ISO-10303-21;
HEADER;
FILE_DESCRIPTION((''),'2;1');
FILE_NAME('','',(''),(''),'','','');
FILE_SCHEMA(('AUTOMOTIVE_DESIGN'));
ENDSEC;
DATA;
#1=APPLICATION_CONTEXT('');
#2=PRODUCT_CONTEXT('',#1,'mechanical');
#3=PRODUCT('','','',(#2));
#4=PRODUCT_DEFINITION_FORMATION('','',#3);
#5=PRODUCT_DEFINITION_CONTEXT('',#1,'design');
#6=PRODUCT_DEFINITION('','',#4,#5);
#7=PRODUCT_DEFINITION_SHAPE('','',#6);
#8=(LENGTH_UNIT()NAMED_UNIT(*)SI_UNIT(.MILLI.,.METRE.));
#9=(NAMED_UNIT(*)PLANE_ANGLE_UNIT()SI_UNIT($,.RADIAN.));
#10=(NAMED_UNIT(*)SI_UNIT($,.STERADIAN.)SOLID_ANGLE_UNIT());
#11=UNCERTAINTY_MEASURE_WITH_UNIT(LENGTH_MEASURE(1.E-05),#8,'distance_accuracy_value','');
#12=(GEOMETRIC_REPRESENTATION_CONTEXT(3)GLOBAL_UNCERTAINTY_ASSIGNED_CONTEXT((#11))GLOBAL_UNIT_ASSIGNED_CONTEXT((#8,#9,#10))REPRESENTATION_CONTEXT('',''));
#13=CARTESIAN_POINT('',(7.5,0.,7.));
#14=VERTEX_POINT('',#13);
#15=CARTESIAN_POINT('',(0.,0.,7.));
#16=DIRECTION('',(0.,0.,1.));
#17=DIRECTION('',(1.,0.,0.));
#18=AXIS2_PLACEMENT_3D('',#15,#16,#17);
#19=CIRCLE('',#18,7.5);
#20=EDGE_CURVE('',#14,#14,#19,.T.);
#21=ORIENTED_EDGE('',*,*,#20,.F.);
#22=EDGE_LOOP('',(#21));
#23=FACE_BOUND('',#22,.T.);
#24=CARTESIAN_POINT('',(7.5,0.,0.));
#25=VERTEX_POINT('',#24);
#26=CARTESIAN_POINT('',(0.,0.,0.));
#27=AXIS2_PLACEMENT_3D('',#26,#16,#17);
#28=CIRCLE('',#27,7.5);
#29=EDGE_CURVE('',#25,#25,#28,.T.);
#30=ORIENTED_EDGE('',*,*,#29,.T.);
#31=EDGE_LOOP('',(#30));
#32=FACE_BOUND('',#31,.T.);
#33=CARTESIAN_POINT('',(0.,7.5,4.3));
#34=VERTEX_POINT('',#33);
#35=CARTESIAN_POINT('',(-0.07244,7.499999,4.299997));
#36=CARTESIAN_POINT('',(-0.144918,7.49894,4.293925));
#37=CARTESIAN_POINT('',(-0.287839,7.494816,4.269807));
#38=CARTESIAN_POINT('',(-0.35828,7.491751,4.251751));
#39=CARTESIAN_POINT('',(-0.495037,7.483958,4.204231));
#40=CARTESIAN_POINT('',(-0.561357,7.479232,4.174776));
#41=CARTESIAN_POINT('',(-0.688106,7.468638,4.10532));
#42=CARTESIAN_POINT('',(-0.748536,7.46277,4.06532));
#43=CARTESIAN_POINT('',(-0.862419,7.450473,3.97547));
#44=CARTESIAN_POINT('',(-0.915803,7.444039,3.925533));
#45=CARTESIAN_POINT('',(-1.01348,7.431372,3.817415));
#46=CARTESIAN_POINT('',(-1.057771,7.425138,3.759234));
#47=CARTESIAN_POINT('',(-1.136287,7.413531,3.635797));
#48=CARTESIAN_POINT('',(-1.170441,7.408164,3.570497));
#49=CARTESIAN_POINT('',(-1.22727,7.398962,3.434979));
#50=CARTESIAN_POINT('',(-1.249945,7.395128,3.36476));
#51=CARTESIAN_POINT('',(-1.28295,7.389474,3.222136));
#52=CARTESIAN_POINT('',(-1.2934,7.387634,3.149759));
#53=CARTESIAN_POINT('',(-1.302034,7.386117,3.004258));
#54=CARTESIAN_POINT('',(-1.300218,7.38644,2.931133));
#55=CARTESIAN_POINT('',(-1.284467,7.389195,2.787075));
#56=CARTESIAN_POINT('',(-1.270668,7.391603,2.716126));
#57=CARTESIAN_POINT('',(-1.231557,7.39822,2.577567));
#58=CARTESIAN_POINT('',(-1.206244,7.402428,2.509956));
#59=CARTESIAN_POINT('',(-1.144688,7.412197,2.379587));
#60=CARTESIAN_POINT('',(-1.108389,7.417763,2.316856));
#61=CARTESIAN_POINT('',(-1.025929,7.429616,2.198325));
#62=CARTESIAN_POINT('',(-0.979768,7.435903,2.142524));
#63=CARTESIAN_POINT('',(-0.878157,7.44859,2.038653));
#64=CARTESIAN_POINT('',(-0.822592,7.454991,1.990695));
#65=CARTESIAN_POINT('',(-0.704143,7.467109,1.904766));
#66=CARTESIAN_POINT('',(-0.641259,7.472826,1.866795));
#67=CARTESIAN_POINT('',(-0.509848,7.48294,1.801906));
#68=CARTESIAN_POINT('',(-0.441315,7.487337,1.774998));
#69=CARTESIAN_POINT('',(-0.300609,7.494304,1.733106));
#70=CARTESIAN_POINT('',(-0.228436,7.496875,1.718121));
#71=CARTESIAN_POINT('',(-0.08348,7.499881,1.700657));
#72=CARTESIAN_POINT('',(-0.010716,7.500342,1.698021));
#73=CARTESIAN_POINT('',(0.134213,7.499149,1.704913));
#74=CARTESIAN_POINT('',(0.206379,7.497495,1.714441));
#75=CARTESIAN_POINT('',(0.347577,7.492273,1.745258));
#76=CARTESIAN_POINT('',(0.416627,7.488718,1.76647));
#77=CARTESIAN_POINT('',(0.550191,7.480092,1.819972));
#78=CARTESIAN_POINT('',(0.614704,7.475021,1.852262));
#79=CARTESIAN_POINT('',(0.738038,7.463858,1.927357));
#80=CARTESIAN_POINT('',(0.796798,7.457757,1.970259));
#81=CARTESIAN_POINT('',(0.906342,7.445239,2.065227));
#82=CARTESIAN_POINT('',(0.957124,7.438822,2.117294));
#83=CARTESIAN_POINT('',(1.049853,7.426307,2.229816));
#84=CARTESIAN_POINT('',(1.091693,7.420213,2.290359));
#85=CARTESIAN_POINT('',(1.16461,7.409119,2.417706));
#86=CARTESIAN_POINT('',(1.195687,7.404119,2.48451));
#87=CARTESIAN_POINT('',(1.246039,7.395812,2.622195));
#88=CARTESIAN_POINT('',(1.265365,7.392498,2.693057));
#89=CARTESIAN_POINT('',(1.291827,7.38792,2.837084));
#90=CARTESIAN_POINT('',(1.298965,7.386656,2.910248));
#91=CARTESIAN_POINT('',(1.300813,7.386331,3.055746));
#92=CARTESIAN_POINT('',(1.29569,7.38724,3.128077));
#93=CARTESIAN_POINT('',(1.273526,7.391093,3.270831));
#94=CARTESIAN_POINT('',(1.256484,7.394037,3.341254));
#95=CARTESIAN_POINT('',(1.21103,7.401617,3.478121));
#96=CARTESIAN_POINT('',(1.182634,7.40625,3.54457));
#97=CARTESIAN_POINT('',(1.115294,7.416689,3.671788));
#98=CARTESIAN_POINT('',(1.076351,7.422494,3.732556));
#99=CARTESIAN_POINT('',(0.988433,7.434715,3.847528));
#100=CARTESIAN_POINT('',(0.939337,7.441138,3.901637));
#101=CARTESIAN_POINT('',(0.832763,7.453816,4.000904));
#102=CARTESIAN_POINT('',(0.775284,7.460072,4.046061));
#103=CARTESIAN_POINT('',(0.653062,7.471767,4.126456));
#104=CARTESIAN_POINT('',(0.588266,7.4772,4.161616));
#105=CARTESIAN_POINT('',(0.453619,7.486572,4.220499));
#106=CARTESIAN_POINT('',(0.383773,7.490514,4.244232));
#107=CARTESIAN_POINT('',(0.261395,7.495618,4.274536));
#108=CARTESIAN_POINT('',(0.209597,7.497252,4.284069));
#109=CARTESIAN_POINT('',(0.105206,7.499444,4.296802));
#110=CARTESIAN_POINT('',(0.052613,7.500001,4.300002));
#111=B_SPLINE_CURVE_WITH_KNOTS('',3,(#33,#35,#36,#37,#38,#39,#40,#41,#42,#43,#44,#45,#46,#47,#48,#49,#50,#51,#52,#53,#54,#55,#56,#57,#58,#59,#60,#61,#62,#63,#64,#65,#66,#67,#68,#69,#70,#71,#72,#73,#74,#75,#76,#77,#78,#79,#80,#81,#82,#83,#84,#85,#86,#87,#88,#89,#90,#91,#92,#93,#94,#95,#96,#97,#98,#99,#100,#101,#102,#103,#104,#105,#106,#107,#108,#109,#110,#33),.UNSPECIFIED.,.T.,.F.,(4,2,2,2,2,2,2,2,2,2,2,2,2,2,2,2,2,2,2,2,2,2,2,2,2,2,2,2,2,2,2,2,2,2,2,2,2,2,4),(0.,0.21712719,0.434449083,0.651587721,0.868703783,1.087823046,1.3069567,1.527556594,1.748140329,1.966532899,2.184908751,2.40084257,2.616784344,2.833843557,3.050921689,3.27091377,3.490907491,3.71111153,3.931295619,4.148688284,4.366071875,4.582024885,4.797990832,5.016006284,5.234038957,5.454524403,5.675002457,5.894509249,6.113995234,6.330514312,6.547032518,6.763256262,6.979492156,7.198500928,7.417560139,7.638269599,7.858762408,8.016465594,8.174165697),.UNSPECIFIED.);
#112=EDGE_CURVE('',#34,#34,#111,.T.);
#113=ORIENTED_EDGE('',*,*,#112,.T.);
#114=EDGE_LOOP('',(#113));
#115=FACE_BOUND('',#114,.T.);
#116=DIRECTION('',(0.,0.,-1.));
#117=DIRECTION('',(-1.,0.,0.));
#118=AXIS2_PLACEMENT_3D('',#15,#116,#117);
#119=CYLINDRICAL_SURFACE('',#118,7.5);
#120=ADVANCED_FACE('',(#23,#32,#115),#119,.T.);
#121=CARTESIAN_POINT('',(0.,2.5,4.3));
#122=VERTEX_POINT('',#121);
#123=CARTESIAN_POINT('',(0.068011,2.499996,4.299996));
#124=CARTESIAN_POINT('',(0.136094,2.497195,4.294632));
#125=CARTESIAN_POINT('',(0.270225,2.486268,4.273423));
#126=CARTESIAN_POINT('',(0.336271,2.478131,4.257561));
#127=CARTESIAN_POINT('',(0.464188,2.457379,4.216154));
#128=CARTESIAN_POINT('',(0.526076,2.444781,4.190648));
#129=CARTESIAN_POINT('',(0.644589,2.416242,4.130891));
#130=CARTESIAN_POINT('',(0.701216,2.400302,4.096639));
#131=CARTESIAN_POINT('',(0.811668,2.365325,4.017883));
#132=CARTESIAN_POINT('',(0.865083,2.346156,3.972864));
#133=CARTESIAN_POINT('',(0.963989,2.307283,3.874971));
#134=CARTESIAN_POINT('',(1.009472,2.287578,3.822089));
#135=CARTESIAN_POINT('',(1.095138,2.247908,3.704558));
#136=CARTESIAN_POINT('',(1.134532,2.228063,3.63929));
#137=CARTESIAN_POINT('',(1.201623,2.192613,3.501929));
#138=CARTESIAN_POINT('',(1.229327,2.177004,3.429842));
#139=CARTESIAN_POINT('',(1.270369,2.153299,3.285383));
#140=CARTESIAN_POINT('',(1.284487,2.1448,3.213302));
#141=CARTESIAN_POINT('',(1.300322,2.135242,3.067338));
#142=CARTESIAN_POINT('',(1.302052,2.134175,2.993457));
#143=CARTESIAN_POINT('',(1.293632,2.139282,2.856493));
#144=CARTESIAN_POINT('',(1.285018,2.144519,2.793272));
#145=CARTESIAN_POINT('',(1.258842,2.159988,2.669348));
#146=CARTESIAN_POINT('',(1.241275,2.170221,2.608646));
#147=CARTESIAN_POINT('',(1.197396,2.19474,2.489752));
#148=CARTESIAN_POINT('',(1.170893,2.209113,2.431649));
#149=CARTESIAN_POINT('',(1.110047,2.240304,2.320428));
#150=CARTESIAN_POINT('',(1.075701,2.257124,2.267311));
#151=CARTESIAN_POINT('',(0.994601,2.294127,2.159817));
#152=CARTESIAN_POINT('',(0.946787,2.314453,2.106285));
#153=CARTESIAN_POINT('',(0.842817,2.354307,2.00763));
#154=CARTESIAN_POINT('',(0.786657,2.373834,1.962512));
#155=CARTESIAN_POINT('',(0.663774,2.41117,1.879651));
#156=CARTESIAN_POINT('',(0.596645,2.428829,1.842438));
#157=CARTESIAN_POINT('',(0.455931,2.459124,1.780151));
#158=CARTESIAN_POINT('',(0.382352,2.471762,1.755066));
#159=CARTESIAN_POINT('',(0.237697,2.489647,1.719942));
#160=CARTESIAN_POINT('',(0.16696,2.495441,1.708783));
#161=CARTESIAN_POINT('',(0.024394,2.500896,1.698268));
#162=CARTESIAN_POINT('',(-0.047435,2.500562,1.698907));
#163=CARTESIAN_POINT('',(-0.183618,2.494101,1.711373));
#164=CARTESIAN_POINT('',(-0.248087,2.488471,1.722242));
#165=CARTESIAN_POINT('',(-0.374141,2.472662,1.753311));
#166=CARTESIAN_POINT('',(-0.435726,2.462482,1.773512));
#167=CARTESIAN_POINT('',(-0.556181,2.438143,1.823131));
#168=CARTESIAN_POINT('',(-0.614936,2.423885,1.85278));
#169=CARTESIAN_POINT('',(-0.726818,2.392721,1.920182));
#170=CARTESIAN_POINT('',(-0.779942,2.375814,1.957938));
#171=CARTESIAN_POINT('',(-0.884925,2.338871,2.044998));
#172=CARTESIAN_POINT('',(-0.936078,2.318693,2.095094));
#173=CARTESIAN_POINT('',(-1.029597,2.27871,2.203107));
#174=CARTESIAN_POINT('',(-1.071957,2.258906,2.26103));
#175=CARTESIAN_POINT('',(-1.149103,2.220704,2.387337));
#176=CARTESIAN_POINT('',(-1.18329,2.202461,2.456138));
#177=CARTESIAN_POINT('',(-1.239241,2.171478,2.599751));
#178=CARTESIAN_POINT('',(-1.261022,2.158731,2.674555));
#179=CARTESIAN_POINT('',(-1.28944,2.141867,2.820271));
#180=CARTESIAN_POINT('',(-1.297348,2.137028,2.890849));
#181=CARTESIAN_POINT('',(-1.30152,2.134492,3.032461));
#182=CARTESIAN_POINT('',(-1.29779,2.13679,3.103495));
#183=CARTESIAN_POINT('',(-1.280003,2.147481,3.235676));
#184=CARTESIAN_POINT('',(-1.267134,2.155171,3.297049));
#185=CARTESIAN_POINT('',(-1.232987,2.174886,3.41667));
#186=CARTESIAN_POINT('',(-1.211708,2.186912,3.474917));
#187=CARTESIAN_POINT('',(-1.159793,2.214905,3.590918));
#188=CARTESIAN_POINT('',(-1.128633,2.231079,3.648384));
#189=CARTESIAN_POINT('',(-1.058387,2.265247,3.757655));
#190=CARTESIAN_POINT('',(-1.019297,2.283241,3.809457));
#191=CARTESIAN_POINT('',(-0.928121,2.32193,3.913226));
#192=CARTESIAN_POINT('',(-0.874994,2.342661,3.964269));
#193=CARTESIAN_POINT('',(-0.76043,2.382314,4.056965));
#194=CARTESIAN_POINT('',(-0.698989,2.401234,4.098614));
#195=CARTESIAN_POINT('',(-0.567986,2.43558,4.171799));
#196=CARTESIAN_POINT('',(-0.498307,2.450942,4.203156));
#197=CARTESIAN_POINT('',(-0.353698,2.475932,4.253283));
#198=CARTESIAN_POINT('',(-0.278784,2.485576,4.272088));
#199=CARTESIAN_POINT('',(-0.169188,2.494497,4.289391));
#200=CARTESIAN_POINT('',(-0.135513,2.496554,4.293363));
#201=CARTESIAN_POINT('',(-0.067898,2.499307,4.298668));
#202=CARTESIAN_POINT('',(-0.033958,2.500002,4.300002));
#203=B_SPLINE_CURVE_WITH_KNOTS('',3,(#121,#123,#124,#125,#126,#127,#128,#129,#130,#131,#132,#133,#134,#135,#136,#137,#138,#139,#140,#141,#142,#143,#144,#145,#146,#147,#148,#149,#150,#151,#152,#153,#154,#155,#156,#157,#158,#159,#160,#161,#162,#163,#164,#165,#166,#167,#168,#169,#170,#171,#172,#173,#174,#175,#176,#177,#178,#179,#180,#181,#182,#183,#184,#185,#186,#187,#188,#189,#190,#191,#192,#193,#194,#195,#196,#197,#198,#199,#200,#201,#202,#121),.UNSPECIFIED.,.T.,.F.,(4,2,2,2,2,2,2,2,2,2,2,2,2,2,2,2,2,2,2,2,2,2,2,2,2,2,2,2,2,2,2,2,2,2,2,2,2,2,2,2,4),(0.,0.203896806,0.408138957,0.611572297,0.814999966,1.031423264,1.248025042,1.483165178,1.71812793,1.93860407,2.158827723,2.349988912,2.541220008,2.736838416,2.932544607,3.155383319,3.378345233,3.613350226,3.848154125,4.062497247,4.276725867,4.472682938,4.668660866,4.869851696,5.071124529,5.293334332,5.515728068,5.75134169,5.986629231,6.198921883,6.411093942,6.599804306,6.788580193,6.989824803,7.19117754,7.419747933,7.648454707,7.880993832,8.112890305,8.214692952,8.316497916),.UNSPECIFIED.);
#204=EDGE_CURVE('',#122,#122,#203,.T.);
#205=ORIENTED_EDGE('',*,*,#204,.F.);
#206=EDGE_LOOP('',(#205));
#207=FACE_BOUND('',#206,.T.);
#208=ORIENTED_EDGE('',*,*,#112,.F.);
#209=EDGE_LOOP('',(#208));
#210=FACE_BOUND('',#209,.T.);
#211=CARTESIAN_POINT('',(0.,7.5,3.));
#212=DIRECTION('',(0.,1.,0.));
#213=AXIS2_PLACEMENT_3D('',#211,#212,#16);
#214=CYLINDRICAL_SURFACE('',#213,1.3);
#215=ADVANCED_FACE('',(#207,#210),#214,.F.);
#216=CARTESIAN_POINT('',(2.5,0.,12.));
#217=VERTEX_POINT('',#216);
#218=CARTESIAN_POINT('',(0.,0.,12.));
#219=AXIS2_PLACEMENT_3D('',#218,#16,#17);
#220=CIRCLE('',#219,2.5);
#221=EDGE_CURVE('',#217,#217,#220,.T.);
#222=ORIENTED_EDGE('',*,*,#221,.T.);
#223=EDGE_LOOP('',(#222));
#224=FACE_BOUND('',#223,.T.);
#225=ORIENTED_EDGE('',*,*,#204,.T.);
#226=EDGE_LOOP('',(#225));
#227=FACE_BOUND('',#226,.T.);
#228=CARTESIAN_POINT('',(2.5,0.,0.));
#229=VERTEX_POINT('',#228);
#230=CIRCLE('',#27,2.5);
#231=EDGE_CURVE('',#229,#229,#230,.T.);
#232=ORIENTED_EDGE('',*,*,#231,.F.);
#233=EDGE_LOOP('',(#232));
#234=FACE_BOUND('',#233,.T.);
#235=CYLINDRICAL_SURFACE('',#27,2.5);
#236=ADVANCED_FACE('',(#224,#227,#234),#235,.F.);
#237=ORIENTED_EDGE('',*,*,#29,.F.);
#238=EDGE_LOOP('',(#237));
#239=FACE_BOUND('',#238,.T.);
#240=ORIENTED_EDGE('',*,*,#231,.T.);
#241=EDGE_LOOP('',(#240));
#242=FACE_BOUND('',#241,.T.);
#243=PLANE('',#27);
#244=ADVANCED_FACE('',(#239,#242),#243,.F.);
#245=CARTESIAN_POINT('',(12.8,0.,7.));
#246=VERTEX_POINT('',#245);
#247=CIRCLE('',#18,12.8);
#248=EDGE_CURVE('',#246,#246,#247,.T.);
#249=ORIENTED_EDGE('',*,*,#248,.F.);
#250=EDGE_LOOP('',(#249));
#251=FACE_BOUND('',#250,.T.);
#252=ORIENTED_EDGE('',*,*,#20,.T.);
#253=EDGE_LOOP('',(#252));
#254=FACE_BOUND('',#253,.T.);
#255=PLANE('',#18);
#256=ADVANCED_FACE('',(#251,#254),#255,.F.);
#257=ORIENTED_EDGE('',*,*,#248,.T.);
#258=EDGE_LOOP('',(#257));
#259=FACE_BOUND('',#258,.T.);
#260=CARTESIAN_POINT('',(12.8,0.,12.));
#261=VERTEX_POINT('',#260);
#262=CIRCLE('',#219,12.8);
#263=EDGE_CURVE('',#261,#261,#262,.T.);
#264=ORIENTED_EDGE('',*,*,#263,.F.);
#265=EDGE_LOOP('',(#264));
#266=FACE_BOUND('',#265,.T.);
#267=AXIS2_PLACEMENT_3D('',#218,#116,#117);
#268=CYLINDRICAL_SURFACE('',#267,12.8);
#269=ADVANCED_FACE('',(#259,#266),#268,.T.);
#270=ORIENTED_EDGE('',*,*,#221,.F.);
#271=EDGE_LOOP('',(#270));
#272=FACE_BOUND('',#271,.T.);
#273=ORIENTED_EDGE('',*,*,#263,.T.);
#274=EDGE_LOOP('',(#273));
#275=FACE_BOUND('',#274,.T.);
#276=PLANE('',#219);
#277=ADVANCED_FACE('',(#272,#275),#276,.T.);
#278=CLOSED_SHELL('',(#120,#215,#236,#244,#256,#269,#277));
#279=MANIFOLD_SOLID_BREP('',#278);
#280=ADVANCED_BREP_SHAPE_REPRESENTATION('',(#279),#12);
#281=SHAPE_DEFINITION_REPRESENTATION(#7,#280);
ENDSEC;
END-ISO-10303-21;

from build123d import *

# Parameters (mm, degrees)
SKETCH1_R                        = 7.5
BOSS_EXTRUDE1_DEPTH              = 7
SKETCH2_R                        = 12.8
BOSS_EXTRUDE2_DEPTH              = 5
SKETCH3_R                        = 2.5
CUT_EXTRUDE1_DEPTH               = 22.718195137
TAP_DRILL_FOR_M3X0_5_TAP1_REACH  = 27.631
TAP_DRILL_FOR_M3X0_5_TAP1_BORE_R = 1.3


with BuildPart() as part:
    # Sketch1 → Boss-Extrude1 (new body)
    with BuildSketch(Plane.XY):
        Circle(SKETCH1_R)
    extrude(amount=BOSS_EXTRUDE1_DEPTH)

    # Sketch2 → Boss-Extrude2 (add)
    with BuildSketch(Plane.XY.offset(7)):
        Circle(SKETCH2_R)
    extrude(amount=BOSS_EXTRUDE2_DEPTH)

    # Sketch3 → Cut-Extrude1 (cut, through all)
    with BuildSketch(Plane.XY.offset(12)):
        Circle(SKETCH3_R)
    extrude(amount=-CUT_EXTRUDE1_DEPTH, mode=Mode.SUBTRACT)

    # Tap Drill for M3x0.5 Tap1 bore (on position points) → Tap Drill for M3x0.5 Tap1 (cut, up to next)
    with BuildSketch(Plane(origin=(0, 7.5, 3), x_dir=(1, 0, 0), z_dir=(0, 1, 0)), mode=Mode.PRIVATE) as tap_drill_for_m3x0_5_tap1_sk1:
        Circle(TAP_DRILL_FOR_M3X0_5_TAP1_BORE_R)
    tap_drill_for_m3x0_5_tap1_tool1 = extrude(tap_drill_for_m3x0_5_tap1_sk1.sketch, amount=-TAP_DRILL_FOR_M3X0_5_TAP1_REACH, mode=Mode.PRIVATE) & part.part
    add(tap_drill_for_m3x0_5_tap1_tool1.solids().sort_by_distance((0, 7.5, 3))[0], mode=Mode.SUBTRACT)


solid = part.part
